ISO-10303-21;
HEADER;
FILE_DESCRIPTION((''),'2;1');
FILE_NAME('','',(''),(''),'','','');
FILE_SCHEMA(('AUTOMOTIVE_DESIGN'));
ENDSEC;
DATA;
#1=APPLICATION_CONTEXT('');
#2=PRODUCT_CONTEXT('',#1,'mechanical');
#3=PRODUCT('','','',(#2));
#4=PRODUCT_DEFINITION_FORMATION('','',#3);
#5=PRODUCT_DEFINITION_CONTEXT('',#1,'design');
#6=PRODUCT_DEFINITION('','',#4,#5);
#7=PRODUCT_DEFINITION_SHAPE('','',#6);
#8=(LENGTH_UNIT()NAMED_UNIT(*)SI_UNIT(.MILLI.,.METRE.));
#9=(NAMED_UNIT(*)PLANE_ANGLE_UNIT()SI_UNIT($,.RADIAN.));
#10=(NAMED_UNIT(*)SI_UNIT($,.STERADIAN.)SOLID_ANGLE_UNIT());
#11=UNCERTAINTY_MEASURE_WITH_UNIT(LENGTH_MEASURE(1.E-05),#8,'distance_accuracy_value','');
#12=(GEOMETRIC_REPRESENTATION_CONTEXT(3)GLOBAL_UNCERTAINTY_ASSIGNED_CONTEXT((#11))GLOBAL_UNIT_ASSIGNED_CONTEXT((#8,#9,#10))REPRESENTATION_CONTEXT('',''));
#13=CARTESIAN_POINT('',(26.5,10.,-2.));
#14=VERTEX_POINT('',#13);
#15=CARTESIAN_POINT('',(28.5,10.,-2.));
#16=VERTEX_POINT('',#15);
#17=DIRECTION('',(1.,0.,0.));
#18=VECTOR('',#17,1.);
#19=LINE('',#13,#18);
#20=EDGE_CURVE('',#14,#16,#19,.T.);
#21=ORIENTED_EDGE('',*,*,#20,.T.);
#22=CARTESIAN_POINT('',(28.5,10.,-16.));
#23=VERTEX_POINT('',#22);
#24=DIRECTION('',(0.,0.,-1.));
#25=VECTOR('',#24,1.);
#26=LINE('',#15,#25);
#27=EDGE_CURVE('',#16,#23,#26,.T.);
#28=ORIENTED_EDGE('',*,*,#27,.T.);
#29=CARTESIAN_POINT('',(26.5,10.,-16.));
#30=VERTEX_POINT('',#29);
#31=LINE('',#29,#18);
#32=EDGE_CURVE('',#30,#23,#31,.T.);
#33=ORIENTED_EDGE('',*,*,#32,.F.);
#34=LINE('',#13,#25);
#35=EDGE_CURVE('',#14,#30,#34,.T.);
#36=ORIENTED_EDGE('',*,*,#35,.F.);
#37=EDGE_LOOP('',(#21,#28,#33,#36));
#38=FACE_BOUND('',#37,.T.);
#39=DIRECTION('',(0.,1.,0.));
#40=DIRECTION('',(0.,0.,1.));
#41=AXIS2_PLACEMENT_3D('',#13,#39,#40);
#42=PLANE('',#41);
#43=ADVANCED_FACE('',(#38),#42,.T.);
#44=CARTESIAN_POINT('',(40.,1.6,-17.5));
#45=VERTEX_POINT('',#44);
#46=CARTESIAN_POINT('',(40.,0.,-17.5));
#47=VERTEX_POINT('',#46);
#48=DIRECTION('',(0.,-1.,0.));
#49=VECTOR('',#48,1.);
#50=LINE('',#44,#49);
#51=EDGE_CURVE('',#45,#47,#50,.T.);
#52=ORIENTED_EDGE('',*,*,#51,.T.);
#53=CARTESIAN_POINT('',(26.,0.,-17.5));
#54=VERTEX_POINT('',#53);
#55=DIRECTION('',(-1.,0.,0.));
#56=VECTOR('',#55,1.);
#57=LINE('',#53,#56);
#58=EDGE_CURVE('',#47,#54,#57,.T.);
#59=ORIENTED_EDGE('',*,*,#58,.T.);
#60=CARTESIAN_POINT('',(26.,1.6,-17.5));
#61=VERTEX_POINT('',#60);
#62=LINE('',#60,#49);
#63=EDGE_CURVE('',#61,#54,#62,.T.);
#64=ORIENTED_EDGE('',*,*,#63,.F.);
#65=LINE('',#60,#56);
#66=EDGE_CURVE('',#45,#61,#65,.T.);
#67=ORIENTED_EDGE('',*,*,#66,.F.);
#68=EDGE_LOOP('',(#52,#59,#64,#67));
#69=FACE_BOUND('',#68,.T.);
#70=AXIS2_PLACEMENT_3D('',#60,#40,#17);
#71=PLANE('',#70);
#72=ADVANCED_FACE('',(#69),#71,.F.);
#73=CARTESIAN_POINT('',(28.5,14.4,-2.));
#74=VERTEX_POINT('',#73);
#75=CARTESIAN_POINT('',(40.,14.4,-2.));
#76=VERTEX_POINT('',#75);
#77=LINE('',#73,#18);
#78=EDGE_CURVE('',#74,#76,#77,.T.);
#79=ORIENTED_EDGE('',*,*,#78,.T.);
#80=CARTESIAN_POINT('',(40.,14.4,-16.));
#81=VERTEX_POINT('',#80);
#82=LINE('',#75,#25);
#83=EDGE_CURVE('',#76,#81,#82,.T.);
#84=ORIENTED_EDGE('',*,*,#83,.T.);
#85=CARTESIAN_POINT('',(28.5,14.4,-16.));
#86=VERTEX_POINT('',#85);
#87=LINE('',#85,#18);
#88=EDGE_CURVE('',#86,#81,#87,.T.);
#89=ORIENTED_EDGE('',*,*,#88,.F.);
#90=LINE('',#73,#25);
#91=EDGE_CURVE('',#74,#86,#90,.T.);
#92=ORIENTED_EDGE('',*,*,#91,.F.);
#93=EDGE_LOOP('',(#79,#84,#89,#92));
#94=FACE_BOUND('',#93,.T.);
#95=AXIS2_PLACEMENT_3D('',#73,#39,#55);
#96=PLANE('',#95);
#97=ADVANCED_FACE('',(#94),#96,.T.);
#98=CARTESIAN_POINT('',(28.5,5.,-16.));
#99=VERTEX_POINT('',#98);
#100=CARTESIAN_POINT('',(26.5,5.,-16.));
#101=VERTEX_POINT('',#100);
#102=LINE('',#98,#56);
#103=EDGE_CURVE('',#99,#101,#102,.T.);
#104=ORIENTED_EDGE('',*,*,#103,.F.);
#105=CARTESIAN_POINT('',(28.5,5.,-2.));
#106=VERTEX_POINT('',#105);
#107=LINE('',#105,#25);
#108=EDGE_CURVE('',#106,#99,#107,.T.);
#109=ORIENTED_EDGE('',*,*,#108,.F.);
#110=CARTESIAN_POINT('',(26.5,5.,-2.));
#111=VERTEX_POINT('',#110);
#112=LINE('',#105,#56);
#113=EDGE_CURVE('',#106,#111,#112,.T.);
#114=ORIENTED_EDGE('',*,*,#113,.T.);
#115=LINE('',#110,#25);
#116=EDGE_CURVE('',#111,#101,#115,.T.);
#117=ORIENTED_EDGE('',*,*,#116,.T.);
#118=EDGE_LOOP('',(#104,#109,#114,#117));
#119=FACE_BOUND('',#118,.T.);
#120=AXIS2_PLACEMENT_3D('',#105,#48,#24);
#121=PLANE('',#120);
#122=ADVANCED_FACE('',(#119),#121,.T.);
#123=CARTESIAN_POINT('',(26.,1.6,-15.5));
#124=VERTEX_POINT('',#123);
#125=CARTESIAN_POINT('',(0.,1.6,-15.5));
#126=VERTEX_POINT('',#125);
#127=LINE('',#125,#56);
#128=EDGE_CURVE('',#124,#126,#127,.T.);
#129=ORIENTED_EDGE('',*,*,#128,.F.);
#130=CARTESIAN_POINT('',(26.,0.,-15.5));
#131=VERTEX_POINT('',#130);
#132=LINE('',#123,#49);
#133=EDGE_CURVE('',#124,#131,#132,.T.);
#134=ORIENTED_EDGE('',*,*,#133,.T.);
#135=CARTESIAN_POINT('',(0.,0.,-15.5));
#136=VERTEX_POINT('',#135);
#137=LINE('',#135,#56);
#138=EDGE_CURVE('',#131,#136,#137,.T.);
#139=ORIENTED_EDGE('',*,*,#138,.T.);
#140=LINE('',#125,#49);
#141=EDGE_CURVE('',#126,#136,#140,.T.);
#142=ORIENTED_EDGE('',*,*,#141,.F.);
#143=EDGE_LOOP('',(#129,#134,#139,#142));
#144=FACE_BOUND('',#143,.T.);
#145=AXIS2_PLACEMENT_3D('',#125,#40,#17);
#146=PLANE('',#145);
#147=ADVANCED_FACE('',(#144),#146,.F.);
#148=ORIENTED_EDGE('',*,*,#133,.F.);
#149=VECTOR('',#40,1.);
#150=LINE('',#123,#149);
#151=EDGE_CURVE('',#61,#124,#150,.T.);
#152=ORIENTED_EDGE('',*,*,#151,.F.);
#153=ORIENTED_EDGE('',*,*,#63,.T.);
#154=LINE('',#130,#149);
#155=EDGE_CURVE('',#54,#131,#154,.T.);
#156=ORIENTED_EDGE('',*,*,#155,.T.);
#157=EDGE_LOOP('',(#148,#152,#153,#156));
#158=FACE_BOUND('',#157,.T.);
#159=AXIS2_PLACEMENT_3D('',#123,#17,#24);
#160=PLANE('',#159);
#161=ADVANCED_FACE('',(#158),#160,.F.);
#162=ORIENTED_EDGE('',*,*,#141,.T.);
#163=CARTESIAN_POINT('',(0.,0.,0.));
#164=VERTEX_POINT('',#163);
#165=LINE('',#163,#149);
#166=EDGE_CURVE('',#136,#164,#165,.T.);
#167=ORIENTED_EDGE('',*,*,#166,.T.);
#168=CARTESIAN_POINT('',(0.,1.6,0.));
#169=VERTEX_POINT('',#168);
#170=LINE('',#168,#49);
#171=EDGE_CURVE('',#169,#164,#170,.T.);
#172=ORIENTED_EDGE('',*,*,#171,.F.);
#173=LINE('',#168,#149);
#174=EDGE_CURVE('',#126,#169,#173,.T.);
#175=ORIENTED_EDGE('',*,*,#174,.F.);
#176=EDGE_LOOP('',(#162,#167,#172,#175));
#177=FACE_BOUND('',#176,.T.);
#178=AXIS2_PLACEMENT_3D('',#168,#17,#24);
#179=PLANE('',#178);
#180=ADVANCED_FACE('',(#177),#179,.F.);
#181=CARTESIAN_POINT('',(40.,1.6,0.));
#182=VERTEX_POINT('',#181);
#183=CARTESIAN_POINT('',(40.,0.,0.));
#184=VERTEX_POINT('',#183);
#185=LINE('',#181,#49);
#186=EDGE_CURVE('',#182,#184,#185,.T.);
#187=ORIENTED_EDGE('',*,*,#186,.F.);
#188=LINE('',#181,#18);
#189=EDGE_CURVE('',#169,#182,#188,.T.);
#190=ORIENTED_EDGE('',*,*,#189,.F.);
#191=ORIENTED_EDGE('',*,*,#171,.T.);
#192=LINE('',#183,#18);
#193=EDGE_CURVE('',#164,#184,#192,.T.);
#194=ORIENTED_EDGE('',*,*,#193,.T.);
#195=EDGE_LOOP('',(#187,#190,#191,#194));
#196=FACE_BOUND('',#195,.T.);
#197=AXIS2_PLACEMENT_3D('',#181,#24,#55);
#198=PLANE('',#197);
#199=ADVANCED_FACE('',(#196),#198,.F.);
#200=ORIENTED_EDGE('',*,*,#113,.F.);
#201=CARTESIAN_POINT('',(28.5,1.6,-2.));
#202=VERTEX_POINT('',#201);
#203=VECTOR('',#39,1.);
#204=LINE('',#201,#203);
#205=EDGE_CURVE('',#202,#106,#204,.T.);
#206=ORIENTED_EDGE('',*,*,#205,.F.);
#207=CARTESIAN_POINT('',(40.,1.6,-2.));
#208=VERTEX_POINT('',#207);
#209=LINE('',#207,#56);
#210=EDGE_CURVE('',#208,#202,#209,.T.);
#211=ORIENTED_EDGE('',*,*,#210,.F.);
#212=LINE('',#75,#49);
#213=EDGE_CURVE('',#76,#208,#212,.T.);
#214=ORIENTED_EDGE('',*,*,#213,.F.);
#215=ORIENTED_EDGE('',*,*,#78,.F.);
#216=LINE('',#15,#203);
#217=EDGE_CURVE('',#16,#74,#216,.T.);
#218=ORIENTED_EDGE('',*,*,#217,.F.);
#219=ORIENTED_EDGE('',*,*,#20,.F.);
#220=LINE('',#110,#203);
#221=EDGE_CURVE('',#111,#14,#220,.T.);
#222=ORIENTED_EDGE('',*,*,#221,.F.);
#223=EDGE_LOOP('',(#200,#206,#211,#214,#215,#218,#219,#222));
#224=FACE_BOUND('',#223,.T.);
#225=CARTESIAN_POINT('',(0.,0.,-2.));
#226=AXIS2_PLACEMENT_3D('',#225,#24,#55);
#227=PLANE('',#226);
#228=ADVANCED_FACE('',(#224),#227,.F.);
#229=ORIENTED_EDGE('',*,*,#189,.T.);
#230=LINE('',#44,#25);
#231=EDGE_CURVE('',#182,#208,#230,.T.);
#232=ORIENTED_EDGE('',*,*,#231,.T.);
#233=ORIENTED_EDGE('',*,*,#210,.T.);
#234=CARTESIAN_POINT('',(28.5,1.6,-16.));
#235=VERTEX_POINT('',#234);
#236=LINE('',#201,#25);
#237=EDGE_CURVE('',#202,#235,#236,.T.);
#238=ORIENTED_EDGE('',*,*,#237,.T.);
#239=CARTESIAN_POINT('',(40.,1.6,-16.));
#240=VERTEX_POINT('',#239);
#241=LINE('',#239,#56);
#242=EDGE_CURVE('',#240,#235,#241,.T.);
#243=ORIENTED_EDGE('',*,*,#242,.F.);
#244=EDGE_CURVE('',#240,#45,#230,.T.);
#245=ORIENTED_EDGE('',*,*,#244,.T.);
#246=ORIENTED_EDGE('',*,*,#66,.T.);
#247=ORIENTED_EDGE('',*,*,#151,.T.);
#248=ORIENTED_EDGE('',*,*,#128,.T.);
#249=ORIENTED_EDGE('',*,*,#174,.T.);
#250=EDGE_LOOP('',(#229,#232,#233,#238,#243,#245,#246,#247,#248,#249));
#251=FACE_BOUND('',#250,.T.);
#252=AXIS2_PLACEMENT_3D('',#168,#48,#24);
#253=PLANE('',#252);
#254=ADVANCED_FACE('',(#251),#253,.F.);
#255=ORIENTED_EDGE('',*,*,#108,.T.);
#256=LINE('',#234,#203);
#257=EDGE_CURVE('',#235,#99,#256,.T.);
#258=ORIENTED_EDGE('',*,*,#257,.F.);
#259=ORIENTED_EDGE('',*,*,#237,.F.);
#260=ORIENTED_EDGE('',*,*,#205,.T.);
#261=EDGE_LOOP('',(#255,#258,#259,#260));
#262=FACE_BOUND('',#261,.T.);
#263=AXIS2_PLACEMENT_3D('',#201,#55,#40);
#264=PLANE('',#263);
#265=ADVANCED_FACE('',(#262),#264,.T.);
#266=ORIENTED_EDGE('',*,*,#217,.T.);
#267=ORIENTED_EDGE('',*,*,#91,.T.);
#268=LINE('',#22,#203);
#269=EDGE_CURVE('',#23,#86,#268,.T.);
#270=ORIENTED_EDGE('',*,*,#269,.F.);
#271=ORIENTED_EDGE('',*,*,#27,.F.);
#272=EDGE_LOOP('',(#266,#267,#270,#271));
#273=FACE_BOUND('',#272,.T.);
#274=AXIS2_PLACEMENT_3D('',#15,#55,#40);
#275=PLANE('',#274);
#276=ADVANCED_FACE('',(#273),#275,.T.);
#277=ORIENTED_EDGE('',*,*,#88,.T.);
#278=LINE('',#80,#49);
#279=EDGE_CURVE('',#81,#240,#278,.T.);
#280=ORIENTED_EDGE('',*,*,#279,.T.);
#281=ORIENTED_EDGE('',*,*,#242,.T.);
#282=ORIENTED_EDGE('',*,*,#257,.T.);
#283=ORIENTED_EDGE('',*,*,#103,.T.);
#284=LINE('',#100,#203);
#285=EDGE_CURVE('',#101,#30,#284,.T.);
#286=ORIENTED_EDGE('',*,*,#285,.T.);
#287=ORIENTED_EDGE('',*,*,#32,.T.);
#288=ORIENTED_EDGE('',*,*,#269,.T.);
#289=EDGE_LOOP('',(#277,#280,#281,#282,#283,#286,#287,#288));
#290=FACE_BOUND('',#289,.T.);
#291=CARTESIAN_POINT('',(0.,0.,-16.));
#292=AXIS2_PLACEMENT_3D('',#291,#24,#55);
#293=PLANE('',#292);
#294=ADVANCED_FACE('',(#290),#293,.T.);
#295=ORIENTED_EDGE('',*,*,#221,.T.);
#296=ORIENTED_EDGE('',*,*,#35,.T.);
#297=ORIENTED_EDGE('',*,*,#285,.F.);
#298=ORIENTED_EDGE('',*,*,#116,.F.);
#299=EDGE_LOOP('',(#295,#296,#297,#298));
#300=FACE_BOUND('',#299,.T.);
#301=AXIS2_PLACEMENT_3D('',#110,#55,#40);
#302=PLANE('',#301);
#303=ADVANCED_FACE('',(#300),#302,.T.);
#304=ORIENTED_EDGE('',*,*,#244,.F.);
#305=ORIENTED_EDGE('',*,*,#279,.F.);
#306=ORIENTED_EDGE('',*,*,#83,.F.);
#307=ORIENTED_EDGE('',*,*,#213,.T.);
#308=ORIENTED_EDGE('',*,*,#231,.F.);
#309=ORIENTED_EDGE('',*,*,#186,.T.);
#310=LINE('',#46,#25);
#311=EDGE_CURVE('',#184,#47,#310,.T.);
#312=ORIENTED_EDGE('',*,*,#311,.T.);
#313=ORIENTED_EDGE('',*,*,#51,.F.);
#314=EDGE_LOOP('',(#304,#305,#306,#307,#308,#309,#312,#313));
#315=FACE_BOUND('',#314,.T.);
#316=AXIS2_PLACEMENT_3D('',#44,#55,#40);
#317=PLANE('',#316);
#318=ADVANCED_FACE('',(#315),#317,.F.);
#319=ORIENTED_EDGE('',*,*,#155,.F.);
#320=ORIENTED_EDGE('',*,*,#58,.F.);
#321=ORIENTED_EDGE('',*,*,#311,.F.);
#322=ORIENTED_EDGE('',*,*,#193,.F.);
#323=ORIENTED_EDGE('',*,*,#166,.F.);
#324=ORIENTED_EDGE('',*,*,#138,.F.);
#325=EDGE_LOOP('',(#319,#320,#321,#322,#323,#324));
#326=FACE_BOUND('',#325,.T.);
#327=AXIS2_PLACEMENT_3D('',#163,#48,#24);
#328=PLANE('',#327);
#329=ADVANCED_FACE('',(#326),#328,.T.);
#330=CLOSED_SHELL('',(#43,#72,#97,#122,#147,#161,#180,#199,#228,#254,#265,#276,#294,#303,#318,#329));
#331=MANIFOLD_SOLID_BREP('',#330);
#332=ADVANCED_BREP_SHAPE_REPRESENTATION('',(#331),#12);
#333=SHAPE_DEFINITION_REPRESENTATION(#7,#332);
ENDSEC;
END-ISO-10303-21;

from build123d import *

# Parameters (mm, degrees)
BOSS_EXTRUDE1_DEPTH = 1.6
BOSS_EXTRUDE2_DEPTH = 14


with BuildPart() as part:
    # Sketch1 → Boss-Extrude1 (new body)
    with BuildSketch(Plane(origin=(0, 0, 0), x_dir=(1, 0, 0), z_dir=(0, 1, 0))):
        Polygon((0, 0), (0, 15.5), (26, 15.5), (26, 17.5), (40, 17.5), (40, 0), align=None)
    extrude(amount=BOSS_EXTRUDE1_DEPTH)

    # Sketch2 → Boss-Extrude2 (add)
    with BuildSketch(Plane(origin=(0, 0, -16), x_dir=(-1, 0, 0), z_dir=(0, 0, -1))):
        Polygon((-40, 1.6), (-28.5, 1.6), (-28.5, 5), (-26.5, 5), (-26.5, 10), (-28.5, 10), (-28.5, 14.4), (-40, 14.4), align=None)
    extrude(amount=-BOSS_EXTRUDE2_DEPTH)


solid = part.part
